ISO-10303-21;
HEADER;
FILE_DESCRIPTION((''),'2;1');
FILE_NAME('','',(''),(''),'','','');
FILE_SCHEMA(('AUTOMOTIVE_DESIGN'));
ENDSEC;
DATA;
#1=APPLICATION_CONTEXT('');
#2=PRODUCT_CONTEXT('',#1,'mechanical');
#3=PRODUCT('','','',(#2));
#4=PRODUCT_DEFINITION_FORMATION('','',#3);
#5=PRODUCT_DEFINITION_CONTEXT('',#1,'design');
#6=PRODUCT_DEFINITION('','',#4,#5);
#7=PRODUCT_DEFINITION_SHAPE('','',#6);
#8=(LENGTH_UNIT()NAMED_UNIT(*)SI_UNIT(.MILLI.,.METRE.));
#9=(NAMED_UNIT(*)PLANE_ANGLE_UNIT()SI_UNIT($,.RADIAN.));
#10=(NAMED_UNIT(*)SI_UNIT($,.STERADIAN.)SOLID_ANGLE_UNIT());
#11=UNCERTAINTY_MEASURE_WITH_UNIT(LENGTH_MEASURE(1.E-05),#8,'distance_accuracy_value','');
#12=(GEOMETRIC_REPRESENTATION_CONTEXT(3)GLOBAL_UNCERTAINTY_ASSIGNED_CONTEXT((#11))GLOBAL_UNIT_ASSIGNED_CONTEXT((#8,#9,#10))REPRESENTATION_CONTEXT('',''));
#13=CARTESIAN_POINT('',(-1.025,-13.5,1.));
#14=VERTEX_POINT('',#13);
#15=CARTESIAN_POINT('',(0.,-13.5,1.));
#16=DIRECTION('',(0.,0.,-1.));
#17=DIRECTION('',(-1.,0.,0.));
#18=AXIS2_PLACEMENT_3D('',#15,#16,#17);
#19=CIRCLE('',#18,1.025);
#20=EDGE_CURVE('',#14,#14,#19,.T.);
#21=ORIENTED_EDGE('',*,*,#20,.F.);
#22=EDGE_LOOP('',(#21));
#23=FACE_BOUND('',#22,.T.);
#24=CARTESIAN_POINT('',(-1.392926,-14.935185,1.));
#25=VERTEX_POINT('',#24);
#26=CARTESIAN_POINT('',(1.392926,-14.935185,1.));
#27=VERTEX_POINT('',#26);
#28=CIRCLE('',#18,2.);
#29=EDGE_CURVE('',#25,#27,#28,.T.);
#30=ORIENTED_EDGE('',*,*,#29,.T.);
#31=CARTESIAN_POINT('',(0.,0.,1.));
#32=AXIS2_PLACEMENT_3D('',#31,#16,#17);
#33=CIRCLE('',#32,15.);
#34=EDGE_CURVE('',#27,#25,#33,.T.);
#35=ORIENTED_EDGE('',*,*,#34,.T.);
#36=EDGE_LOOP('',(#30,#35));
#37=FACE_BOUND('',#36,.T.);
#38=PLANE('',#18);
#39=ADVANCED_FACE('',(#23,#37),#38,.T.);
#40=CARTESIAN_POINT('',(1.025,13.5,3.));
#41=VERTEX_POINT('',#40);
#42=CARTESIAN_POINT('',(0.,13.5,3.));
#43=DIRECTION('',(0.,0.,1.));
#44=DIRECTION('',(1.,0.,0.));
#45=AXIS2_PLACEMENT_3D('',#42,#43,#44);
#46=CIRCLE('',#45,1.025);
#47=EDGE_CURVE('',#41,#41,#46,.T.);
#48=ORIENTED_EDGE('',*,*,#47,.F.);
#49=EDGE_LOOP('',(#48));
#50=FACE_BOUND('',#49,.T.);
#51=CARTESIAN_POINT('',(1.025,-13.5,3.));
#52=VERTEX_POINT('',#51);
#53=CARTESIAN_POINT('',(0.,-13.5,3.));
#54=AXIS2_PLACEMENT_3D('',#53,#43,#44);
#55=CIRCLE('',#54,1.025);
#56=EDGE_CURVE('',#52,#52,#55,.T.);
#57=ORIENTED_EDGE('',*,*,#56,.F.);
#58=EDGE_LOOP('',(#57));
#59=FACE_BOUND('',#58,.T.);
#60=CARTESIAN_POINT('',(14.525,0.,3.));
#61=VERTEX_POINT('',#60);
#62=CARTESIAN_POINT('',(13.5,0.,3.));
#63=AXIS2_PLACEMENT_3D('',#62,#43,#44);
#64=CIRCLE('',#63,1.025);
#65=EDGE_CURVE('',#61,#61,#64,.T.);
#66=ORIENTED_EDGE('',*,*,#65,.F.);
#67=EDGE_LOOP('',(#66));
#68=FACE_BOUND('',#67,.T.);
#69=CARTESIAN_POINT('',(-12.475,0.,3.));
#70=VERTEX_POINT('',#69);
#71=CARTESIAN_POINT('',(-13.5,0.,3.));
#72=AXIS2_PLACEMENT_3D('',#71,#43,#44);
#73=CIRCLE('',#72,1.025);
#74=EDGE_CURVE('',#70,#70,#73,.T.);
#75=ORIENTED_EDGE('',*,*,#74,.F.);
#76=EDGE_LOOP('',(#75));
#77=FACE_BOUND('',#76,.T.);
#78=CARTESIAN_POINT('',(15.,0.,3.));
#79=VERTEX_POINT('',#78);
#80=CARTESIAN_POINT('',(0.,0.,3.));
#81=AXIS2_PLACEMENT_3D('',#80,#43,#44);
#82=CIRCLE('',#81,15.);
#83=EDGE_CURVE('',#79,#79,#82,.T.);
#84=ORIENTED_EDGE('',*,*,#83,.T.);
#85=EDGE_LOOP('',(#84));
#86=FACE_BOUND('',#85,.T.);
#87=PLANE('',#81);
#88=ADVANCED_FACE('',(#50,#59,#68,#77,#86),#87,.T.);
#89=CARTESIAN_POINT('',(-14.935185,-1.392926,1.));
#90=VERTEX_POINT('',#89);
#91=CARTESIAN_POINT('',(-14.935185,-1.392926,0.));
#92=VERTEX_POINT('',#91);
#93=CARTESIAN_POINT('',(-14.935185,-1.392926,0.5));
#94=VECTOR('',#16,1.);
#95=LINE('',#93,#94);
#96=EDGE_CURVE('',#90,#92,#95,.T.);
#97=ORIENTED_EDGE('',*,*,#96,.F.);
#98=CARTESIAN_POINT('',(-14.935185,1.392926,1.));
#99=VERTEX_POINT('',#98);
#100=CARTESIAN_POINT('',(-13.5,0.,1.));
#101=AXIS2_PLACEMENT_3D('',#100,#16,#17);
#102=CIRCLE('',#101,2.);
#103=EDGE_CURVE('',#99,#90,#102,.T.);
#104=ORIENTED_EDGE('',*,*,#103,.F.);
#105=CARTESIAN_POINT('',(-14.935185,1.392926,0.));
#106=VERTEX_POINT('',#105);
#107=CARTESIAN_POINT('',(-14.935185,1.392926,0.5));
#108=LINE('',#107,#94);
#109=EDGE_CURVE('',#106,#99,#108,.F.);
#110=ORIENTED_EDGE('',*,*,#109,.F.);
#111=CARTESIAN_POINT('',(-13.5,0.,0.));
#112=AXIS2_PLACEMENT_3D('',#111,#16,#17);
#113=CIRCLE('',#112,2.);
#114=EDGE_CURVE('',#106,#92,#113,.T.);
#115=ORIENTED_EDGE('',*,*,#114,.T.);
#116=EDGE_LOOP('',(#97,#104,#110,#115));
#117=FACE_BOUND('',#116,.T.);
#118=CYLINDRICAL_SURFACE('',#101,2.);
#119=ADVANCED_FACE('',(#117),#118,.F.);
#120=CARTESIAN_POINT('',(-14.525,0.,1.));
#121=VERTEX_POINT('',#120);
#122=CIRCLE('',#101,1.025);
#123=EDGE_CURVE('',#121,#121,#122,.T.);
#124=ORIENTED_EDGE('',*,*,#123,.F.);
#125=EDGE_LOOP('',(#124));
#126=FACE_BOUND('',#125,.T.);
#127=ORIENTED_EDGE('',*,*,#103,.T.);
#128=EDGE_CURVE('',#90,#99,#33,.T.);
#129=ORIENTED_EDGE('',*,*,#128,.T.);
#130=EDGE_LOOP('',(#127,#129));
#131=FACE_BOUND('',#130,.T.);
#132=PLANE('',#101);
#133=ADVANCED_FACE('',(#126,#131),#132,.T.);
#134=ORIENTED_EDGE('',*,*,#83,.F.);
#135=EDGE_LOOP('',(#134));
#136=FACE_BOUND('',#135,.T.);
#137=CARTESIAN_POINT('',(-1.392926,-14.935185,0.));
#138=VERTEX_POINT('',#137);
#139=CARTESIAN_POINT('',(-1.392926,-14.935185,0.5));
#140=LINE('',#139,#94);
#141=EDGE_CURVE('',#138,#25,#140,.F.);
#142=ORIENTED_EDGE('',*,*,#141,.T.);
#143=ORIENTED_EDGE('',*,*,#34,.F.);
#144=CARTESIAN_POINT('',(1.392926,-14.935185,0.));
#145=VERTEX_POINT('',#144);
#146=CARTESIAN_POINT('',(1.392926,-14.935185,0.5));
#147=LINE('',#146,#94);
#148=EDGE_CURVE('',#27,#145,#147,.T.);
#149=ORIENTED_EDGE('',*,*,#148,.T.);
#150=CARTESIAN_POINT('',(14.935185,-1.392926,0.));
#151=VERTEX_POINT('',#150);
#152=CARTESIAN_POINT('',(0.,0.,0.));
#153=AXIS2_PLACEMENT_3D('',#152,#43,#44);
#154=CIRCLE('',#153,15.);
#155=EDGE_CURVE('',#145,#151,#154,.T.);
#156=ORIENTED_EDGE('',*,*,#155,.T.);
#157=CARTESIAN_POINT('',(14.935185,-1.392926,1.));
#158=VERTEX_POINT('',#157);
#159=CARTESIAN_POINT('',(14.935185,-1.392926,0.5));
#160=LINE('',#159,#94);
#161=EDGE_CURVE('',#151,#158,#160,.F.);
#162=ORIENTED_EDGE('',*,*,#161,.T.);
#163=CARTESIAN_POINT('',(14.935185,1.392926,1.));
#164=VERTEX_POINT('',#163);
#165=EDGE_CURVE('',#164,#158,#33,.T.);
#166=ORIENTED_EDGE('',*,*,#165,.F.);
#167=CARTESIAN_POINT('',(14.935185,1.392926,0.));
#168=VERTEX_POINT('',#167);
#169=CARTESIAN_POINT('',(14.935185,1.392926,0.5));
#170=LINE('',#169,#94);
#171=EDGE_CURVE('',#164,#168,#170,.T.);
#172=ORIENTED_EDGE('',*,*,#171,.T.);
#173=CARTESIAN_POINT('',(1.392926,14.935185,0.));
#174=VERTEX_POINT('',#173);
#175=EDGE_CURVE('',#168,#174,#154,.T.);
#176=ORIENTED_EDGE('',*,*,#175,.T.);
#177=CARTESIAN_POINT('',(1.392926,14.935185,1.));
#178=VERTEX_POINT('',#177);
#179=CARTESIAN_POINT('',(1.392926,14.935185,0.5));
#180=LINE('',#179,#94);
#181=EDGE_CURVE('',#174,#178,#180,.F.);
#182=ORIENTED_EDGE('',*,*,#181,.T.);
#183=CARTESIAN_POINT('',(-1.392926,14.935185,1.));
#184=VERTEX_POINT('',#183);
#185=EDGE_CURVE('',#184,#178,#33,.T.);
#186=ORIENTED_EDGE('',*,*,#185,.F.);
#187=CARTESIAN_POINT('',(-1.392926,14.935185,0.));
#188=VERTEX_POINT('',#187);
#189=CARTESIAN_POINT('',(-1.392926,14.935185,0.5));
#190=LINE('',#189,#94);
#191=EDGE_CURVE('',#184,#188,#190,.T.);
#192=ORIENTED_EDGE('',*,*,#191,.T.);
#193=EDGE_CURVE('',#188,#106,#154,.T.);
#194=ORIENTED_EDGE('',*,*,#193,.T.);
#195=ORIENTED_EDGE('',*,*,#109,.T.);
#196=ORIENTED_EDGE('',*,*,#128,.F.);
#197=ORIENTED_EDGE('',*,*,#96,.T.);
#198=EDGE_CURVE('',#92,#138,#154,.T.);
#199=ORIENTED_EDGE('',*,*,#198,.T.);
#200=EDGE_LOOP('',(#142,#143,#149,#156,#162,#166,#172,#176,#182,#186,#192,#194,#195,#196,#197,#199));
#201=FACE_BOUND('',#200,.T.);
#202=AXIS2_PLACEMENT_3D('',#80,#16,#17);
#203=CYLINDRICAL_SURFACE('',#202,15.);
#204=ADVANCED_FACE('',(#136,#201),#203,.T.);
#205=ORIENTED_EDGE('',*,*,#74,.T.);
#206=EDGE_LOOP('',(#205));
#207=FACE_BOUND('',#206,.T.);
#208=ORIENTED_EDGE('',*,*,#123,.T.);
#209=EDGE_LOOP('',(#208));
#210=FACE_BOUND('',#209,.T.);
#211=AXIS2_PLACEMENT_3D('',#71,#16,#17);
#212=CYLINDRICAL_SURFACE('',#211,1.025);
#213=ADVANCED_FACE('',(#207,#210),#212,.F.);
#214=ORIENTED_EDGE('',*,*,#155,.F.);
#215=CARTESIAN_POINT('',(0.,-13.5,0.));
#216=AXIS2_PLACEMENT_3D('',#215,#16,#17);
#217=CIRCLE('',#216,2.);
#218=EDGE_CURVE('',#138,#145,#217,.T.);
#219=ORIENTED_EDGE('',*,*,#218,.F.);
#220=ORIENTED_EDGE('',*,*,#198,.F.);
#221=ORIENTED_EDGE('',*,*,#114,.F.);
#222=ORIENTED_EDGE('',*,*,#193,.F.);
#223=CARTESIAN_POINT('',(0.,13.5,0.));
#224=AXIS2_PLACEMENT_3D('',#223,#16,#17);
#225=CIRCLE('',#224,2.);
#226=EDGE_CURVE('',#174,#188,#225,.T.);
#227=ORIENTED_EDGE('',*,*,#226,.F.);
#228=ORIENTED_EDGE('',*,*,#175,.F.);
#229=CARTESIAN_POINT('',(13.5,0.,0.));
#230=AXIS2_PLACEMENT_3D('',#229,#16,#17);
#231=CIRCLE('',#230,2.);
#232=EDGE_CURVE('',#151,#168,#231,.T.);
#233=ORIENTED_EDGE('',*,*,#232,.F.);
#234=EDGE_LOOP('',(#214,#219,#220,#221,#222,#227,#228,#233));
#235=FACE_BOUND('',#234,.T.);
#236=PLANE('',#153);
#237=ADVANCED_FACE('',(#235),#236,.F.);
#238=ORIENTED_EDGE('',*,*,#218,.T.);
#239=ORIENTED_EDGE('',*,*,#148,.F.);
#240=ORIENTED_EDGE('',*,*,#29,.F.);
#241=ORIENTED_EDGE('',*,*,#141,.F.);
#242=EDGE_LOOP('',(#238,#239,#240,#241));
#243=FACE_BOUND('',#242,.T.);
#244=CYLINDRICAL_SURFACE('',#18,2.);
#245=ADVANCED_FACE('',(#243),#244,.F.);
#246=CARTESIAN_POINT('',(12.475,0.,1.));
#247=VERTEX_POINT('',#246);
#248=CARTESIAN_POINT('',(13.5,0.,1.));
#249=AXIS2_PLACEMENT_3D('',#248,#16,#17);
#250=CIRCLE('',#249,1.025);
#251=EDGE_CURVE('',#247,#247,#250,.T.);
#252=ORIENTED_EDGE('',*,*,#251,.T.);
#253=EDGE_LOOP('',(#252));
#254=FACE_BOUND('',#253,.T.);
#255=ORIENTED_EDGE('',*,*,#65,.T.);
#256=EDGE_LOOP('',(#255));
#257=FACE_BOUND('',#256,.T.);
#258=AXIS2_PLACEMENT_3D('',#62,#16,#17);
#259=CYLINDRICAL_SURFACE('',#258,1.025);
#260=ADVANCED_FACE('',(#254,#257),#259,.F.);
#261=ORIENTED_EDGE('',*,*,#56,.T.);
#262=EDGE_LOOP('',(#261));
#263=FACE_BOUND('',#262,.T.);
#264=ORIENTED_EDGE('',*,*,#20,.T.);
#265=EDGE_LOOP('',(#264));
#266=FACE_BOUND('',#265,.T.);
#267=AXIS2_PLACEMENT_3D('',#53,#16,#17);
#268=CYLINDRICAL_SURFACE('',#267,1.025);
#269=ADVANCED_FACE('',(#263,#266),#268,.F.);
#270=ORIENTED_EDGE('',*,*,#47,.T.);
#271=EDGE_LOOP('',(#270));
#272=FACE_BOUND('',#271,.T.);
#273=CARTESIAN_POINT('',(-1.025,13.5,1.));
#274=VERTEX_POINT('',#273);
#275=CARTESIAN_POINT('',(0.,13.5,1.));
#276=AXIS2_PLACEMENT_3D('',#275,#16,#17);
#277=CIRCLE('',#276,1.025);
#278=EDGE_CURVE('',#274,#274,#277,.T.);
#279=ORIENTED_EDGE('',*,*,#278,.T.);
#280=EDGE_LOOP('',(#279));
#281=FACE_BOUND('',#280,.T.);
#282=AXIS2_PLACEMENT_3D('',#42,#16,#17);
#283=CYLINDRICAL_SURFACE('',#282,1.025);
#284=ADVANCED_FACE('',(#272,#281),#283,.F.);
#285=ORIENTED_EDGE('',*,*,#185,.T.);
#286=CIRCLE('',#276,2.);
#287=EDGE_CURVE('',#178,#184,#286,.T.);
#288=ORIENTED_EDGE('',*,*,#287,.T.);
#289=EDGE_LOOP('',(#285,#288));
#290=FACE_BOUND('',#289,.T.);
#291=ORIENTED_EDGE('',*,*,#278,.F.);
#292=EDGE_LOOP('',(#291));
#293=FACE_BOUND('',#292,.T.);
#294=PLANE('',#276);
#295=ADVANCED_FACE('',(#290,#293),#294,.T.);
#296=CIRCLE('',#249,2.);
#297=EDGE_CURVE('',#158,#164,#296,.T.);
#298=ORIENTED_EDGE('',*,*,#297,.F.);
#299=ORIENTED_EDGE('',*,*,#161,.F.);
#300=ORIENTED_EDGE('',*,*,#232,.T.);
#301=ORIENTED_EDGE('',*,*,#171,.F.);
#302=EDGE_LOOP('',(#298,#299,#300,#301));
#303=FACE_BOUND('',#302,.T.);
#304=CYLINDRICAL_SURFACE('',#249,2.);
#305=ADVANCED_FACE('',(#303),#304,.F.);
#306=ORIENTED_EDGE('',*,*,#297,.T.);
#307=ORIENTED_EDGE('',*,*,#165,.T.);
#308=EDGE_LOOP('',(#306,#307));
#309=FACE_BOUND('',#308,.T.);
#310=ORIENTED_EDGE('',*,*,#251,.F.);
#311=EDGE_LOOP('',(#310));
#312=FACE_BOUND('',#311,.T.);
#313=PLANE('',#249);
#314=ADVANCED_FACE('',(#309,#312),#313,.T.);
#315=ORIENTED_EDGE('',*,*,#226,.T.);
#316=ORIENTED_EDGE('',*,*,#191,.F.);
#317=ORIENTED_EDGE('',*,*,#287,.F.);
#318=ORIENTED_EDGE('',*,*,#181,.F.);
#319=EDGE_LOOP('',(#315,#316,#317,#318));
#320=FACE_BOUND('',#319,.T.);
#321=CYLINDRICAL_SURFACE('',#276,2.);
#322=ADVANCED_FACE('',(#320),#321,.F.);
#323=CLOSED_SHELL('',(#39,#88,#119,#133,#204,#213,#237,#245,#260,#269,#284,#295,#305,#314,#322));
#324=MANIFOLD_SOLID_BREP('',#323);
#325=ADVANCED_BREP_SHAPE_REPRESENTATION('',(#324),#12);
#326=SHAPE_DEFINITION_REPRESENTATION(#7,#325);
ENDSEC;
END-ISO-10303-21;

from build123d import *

# Parameters (mm, degrees)
SKETCH_1_R          = 15
EXTRUDE_1_DEPTH     = 3
SKETCH_2_R          = 1.025
CUT_EXTRUDE_2_DEPTH = 22.424285286
SKETCH_3_R          = 2
CUT_EXTRUDE_3_DEPTH = 1


with BuildPart() as part:
    # 草图1 → 凸台-拉伸1 (new body)
    with BuildSketch(Plane.XY):
        Circle(SKETCH_1_R)
    extrude(amount=EXTRUDE_1_DEPTH)

    # 草图2 → 切除-拉伸2 (cut, through all)
    with BuildSketch(Plane.XY):
        with Locations((0, 13.5)):
            Circle(SKETCH_2_R)
        with Locations((13.5, 0)):
            Circle(SKETCH_2_R)
        with Locations((0, -13.5)):
            Circle(SKETCH_2_R)
        with Locations((-13.5, 0)):
            Circle(SKETCH_2_R)
    extrude(amount=CUT_EXTRUDE_2_DEPTH, mode=Mode.SUBTRACT)

    # 草图3 → 切除-拉伸3 (cut)
    with BuildSketch(Plane(origin=(0, 0, 0), x_dir=(-1, 0, 0), z_dir=(0, 0, -1))):
        with Locations((0, 13.5)):
            Circle(SKETCH_3_R)
        with Locations((13.5, 0)):
            Circle(SKETCH_3_R)
        with Locations((-13.5, 0)):
            Circle(SKETCH_3_R)
        with Locations((0, -13.5)):
            Circle(SKETCH_3_R)
    extrude(amount=-CUT_EXTRUDE_3_DEPTH, mode=Mode.SUBTRACT)


solid = part.part
